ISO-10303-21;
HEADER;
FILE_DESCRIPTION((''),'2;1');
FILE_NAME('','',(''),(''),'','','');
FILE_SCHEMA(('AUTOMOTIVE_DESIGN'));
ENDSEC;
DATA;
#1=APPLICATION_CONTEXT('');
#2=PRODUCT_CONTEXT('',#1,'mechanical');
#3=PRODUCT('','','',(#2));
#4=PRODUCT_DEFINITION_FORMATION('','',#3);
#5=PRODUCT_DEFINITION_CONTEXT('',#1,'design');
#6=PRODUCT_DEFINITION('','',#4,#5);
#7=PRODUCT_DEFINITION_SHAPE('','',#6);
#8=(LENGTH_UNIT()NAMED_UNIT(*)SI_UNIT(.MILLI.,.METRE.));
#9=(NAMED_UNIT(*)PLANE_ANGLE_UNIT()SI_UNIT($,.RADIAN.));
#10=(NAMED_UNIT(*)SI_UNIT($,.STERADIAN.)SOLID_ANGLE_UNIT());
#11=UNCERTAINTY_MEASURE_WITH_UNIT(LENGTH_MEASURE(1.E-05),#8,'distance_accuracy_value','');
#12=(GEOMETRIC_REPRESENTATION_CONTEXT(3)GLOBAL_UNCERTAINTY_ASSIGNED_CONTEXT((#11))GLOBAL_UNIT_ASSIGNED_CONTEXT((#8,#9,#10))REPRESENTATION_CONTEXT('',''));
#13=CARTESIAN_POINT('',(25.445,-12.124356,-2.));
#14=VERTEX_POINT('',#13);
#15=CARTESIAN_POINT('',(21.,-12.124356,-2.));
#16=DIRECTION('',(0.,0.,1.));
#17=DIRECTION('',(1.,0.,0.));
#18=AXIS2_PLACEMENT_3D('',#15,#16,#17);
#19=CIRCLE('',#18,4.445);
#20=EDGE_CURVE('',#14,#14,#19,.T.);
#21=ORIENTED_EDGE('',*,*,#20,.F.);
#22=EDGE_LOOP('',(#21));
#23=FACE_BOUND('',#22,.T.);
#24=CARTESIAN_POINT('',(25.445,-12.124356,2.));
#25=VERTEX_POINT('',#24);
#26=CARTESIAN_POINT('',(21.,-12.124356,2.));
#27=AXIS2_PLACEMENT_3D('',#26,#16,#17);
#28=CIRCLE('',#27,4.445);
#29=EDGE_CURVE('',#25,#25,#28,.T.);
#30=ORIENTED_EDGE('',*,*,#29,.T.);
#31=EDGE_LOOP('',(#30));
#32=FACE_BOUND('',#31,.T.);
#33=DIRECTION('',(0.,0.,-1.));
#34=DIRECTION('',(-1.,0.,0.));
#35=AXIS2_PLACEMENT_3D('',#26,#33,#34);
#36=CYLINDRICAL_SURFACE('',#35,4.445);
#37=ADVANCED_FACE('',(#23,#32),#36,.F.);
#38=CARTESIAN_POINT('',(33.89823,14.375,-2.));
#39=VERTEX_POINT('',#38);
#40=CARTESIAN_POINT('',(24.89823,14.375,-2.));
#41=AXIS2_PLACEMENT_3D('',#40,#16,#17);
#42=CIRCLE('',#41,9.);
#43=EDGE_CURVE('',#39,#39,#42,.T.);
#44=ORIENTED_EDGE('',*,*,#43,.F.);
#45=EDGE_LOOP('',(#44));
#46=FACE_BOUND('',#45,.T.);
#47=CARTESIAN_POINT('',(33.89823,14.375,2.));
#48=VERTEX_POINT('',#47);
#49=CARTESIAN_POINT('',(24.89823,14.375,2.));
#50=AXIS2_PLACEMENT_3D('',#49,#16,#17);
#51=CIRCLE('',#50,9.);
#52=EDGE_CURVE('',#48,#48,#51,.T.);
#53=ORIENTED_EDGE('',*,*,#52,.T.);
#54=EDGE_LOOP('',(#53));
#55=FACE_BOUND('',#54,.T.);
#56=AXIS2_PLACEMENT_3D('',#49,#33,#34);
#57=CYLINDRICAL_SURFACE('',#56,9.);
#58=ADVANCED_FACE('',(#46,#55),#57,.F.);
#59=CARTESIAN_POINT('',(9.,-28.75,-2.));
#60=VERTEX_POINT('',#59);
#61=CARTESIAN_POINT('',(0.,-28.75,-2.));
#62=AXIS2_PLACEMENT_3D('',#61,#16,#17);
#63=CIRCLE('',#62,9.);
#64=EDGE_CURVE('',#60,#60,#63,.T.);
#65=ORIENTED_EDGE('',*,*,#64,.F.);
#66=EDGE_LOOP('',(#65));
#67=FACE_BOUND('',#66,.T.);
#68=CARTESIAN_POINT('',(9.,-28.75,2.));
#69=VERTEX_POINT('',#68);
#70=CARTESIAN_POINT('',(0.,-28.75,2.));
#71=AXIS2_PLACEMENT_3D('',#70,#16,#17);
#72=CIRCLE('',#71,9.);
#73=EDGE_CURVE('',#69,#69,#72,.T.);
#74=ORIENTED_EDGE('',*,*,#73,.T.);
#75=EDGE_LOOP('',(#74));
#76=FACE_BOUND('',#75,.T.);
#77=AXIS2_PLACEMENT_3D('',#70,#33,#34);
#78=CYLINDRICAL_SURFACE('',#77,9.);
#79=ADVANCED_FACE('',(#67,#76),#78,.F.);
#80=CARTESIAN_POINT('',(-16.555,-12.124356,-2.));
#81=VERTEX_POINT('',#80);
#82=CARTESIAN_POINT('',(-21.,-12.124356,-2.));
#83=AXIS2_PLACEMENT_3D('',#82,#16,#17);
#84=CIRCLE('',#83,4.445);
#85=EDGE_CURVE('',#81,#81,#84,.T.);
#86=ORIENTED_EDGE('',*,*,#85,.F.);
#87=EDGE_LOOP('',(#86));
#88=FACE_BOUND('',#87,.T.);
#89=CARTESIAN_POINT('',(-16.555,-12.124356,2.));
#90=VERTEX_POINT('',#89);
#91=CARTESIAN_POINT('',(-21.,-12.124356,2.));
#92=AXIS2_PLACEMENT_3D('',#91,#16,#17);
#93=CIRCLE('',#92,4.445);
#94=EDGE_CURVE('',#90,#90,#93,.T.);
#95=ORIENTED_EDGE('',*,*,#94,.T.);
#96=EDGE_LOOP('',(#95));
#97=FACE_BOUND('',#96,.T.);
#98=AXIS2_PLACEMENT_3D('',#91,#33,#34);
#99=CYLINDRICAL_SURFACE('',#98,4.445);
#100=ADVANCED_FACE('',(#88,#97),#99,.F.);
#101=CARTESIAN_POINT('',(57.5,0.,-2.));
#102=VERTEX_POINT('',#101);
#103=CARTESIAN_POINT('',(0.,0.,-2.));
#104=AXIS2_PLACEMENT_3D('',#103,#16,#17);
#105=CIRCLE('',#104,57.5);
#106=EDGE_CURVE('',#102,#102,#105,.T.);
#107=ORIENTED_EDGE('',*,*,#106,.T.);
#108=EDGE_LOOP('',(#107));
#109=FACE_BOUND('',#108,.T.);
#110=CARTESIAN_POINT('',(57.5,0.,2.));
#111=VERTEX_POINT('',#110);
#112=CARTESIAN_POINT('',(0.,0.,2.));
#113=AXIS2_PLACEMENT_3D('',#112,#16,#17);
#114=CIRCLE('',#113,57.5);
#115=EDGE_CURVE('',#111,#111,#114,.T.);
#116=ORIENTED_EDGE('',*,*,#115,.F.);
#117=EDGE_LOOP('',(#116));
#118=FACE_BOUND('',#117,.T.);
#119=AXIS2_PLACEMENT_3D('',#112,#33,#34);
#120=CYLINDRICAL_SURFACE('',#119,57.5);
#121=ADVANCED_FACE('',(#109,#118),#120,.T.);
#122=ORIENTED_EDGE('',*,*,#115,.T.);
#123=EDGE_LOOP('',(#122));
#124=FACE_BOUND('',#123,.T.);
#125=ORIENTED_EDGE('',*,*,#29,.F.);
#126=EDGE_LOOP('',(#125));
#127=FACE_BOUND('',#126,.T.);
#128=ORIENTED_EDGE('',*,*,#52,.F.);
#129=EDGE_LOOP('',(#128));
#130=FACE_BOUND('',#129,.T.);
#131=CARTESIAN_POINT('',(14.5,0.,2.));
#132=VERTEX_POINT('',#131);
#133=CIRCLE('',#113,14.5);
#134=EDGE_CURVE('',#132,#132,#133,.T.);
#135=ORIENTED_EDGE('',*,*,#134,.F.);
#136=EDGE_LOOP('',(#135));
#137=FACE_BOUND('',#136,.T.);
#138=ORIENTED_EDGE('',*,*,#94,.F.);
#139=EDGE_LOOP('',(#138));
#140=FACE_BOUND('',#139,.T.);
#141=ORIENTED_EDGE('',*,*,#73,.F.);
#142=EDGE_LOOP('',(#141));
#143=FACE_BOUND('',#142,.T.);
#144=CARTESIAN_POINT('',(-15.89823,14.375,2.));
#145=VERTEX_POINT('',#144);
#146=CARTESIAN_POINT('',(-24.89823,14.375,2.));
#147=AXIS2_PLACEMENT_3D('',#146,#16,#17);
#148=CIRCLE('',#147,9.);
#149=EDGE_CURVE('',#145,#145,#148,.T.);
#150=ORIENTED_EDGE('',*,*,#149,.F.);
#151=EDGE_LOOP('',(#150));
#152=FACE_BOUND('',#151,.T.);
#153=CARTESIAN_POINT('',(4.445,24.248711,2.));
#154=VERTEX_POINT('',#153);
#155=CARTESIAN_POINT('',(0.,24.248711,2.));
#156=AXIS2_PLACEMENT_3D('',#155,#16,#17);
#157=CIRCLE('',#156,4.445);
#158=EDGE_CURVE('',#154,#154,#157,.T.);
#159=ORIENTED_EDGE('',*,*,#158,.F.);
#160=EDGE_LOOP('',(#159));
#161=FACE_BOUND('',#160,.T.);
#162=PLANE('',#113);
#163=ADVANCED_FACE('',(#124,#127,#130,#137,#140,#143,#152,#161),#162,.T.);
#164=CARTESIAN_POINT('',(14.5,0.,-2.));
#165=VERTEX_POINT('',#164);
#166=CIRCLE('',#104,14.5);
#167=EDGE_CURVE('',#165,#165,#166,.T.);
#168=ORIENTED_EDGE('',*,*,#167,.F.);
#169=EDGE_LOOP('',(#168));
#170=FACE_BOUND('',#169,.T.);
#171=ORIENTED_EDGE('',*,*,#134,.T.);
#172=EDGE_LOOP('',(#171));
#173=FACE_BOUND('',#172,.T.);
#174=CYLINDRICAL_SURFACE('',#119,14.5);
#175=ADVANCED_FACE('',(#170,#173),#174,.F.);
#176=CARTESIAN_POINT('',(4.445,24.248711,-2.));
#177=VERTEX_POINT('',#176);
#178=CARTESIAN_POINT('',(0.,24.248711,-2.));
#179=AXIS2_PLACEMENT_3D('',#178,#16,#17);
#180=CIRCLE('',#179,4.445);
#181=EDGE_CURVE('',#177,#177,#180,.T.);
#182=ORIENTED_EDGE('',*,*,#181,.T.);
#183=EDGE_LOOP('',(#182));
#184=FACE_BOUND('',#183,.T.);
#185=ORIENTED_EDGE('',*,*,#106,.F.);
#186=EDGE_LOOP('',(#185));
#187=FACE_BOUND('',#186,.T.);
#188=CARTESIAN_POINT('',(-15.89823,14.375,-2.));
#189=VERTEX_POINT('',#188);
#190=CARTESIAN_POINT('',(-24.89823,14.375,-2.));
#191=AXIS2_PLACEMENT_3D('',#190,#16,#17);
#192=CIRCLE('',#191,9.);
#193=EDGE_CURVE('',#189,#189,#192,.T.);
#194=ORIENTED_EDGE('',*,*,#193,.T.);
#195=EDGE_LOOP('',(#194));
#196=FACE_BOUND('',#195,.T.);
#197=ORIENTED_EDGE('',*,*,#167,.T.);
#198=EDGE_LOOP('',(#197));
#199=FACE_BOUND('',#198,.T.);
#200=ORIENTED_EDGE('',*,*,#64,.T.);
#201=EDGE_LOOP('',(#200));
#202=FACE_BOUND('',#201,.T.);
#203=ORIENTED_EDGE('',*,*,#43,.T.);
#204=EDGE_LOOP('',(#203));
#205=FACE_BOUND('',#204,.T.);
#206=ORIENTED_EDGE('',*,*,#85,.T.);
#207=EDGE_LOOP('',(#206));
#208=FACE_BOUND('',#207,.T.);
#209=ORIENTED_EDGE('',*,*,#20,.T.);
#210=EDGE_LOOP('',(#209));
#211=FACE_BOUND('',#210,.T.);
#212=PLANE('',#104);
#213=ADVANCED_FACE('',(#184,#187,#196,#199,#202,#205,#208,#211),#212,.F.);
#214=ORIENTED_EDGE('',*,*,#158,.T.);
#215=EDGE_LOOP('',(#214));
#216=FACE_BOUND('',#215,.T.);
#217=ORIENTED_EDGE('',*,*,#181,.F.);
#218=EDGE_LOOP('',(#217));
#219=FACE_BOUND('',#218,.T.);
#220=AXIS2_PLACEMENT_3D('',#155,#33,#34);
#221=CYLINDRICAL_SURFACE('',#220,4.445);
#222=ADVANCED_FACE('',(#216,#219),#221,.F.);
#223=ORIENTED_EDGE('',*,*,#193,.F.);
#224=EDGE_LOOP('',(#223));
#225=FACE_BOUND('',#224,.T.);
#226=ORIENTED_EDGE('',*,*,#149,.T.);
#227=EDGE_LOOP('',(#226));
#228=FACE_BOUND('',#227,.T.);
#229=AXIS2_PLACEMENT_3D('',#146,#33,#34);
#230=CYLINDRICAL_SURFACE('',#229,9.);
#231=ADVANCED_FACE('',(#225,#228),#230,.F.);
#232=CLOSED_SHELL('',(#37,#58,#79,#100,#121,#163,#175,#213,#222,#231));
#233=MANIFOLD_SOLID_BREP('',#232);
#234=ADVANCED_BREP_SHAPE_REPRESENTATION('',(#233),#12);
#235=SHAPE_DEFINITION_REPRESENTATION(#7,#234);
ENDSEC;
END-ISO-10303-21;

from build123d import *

# Parameters (mm, degrees)
SKETCH1_R           = 57.5
SKETCH1_R_2         = 14.5
SKETCH1_R_3         = 4.445
SKETCH1_R_4         = 9
BOSS_EXTRUDE1_DEPTH = 2


with BuildPart() as part:
    # Sketch1 → Boss-Extrude1 (new body, symmetric)
    with BuildSketch(Plane.XY):
        Circle(SKETCH1_R)
        Circle(SKETCH1_R_2, mode=Mode.SUBTRACT)
        with Locations((0, 24.248711306)):
            Circle(SKETCH1_R_3, mode=Mode.SUBTRACT)
        with Locations((-21, -12.124355653)):
            Circle(SKETCH1_R_3, mode=Mode.SUBTRACT)
        with Locations((21, -12.124355653)):
            Circle(SKETCH1_R_3, mode=Mode.SUBTRACT)
        with Locations((-24.898230359, 14.375)):
            Circle(SKETCH1_R_4, mode=Mode.SUBTRACT)
        with Locations((24.898230359, 14.375)):
            Circle(SKETCH1_R_4, mode=Mode.SUBTRACT)
        with Locations((0, -28.75)):
            Circle(SKETCH1_R_4, mode=Mode.SUBTRACT)
    extrude(amount=BOSS_EXTRUDE1_DEPTH, both=True)


solid = part.part
